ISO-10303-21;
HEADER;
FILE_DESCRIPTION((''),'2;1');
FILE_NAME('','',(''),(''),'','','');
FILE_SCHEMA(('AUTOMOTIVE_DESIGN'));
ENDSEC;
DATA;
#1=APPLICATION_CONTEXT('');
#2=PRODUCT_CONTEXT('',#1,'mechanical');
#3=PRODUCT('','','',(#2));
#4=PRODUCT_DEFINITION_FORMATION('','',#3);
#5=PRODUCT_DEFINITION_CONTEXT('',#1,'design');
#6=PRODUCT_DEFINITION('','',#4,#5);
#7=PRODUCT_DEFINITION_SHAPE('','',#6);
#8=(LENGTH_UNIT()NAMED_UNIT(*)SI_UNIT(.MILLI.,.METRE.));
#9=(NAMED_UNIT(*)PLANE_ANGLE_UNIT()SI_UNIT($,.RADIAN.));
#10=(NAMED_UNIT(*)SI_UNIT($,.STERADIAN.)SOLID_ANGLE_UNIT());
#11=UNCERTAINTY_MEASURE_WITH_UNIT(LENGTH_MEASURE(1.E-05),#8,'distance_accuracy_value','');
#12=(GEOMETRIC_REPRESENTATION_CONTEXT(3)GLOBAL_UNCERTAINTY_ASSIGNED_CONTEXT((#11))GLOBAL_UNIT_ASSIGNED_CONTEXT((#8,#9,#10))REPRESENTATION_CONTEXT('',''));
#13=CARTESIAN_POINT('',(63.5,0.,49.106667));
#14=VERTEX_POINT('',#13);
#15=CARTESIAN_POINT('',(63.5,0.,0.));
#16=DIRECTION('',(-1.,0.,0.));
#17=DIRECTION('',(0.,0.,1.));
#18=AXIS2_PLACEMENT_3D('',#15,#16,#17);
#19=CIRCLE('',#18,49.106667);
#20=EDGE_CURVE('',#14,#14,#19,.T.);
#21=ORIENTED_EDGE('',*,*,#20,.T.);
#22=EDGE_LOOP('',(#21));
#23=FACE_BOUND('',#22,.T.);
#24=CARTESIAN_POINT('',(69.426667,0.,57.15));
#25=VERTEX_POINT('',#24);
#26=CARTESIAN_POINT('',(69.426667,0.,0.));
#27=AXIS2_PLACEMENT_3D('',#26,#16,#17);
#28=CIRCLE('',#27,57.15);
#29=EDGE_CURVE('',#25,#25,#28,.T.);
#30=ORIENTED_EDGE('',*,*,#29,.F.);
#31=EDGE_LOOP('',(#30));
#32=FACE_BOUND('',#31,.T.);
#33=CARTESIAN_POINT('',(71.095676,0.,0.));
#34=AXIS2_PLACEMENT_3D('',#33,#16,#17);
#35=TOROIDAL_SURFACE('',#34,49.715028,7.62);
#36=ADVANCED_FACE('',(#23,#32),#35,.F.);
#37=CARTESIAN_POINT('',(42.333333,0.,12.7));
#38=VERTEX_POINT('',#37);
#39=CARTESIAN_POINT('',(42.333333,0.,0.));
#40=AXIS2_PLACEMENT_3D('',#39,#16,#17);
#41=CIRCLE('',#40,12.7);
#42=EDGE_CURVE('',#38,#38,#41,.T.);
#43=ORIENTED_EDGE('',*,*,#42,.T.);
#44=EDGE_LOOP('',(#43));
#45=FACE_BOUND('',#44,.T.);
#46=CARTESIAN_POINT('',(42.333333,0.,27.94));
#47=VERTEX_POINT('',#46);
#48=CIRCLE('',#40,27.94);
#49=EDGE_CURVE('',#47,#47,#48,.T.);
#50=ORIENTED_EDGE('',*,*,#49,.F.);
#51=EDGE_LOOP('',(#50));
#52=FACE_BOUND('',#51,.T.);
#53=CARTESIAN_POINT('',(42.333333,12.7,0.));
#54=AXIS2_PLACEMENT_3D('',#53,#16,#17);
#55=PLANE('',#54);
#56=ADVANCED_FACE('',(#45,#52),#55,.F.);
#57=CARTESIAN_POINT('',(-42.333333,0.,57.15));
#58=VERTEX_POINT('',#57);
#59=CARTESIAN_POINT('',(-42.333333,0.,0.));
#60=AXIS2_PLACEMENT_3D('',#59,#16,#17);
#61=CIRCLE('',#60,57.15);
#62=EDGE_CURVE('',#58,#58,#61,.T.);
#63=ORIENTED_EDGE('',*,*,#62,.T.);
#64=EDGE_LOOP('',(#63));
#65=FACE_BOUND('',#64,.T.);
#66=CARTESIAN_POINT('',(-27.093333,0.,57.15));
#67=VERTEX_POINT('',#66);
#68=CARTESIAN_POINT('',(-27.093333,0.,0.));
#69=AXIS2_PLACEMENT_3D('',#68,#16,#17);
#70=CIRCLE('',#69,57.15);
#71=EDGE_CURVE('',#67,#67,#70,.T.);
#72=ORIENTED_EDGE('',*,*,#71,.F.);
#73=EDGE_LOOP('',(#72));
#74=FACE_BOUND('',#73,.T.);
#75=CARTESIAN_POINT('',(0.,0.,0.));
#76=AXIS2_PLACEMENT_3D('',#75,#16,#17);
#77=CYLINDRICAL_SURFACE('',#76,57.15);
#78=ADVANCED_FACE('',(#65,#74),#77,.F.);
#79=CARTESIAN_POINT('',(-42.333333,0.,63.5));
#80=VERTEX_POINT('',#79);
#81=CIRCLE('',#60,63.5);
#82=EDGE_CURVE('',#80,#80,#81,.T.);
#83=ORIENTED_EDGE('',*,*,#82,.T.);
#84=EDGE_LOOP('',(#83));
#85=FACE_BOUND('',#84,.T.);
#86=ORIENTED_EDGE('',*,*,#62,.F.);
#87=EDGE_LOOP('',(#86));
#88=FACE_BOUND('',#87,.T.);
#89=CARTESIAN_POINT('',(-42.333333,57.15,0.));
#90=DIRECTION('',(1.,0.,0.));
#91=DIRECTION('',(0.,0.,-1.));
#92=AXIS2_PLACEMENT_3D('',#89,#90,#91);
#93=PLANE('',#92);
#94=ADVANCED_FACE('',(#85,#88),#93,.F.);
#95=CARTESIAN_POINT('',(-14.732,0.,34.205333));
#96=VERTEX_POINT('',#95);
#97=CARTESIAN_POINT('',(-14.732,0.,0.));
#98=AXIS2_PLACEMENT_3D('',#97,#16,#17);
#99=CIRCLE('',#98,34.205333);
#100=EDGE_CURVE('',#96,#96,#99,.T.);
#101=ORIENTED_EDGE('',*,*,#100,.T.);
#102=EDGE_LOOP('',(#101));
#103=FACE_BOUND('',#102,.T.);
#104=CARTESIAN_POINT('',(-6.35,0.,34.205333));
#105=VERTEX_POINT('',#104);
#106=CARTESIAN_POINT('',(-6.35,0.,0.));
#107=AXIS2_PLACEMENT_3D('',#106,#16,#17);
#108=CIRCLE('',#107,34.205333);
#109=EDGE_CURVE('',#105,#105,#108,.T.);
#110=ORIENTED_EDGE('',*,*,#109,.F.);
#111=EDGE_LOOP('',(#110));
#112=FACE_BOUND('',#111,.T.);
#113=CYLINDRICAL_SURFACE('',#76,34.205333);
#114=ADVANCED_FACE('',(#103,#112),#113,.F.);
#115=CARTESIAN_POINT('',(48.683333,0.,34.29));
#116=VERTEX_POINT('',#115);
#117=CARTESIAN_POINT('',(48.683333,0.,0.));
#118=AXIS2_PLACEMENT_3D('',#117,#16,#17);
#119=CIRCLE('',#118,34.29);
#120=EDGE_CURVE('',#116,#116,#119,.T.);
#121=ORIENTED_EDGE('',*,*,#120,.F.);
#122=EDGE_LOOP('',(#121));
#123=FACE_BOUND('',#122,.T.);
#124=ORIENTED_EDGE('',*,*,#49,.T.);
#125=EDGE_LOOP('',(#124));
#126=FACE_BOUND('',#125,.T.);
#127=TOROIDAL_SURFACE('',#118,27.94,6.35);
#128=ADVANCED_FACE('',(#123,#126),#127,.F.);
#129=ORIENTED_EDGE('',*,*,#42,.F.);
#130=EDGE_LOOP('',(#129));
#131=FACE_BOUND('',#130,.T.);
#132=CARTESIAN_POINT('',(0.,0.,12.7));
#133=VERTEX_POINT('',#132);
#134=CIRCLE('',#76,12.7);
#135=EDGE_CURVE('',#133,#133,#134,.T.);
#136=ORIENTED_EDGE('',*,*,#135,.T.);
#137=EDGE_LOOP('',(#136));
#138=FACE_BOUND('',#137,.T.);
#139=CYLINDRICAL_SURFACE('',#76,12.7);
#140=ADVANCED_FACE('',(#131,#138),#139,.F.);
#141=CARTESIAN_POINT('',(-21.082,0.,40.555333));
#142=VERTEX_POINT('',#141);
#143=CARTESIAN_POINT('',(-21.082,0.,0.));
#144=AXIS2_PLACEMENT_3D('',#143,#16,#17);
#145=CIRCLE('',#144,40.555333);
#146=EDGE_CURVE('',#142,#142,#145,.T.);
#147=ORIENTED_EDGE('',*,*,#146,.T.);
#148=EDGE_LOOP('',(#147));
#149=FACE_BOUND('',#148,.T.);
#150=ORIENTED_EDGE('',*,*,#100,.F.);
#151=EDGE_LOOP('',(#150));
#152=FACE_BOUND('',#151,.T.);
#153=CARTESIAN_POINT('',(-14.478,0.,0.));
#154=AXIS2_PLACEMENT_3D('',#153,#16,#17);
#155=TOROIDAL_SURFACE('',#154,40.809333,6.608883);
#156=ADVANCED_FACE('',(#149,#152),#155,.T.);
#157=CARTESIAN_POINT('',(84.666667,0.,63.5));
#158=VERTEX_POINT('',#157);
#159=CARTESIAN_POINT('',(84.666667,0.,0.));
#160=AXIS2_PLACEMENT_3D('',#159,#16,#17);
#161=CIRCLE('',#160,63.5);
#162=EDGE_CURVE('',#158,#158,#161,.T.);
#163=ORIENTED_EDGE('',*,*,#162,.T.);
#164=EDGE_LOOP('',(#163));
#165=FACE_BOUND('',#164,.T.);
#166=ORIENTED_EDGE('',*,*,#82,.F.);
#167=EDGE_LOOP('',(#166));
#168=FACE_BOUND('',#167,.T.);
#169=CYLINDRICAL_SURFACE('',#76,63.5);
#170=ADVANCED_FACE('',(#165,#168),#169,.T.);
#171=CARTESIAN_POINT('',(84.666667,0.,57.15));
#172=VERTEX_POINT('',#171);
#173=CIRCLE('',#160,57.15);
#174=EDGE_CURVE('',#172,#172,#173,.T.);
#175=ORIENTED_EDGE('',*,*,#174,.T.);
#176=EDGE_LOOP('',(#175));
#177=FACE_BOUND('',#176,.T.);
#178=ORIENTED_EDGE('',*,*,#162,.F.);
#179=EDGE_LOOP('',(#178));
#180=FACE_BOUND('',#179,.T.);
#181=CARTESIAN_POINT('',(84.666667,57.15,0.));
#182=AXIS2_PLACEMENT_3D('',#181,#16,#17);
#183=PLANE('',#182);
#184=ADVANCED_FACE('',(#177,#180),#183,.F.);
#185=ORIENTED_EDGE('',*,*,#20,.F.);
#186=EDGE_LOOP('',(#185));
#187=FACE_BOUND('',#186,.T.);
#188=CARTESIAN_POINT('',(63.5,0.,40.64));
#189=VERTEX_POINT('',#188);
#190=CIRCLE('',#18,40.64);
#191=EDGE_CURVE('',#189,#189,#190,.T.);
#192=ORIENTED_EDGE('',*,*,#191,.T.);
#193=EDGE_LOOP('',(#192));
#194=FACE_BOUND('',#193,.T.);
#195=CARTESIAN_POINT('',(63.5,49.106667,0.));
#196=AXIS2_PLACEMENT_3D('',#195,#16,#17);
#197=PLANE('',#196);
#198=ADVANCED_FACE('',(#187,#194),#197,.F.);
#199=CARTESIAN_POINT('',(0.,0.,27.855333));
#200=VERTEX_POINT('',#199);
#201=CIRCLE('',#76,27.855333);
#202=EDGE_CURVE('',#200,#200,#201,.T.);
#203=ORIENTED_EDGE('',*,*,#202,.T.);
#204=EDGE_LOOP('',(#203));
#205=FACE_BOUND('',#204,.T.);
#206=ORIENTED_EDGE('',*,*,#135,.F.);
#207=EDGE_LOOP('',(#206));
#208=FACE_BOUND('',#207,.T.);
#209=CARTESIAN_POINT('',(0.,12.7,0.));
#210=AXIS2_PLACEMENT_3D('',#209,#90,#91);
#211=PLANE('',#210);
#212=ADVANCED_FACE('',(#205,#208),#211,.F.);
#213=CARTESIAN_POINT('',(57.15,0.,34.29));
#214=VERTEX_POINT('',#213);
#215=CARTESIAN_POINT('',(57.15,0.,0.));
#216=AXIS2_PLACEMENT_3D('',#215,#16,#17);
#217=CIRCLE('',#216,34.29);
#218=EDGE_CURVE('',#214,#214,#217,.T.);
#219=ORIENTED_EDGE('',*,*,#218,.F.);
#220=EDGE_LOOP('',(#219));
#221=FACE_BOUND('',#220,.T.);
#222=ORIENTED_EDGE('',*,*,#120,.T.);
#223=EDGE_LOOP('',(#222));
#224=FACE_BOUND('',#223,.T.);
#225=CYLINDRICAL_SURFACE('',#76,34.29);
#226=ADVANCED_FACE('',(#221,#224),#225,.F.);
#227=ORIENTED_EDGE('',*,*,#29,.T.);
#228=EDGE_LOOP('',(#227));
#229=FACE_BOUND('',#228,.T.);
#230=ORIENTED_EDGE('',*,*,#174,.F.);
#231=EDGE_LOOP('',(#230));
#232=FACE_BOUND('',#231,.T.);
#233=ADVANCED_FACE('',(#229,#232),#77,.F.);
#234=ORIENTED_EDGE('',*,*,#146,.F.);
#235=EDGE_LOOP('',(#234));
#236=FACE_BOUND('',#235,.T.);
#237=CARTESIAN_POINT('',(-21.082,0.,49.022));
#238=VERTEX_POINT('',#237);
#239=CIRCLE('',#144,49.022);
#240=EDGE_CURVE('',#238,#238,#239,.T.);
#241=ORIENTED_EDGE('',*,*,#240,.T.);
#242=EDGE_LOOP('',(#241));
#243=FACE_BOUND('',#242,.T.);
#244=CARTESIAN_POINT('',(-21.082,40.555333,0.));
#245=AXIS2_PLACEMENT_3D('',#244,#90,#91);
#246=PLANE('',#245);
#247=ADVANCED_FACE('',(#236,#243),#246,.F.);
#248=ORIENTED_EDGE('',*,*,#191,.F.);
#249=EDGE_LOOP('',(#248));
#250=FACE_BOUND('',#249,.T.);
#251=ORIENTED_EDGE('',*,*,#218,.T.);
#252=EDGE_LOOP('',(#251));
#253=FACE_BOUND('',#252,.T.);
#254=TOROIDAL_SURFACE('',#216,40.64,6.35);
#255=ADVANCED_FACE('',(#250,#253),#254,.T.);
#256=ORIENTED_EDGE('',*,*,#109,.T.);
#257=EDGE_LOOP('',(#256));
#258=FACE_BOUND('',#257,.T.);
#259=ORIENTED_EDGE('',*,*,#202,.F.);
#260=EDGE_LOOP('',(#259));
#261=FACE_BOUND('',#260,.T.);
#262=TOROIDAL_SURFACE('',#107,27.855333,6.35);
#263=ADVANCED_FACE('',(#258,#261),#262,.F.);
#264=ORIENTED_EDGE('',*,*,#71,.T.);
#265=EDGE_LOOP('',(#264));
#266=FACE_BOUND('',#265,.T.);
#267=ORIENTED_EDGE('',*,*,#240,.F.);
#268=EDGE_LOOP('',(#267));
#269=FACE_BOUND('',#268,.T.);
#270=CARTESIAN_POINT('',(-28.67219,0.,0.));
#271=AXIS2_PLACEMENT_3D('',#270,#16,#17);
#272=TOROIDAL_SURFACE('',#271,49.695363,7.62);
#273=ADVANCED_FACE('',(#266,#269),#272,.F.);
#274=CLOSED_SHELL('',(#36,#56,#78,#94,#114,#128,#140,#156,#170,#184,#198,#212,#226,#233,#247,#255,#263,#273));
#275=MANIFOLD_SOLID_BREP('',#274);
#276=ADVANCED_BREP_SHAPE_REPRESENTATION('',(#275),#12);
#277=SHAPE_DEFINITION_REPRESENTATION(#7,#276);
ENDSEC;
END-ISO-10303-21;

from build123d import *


with BuildPart() as part:
    # Sketch1 → Revolve1 (revolve)
    with BuildSketch(Plane.XY):
        with BuildLine():
            Line((-42.333333333, 63.5), (84.666666667, 63.5))
            Line((84.666666667, 63.5), (84.666666667, 57.15))
            Line((84.666666667, 57.15), (69.426666667, 57.15))
            ThreePointArc((69.426666667, 57.15), (64.961150677, 54.235204762), (63.499999992, 49.106666667))
            Line((63.499999992, 49.106666667), (63.499999992, 40.64))
            ThreePointArc((63.499999992, 40.64), (61.640128052, 36.149871939), (57.149999992, 34.29))
            Line((57.149999992, 34.29), (48.683333333, 34.29))
            ThreePointArc((48.683333333, 34.29), (44.193205273, 32.430128061), (42.333333333, 27.94))
            Line((42.333333333, 27.94), (42.333333333, 12.7))
            Line((42.333333333, 12.7), (0, 12.7))
            Line((0, 12.7), (0, 27.855333333))
            ThreePointArc((0, 27.855333333), (-1.859871939, 32.345461394), (-6.35, 34.205333333))
            Line((-6.35, 34.205333333), (-14.732, 34.205333333))
            ThreePointArc((-14.732, 34.205333333), (-19.151185851, 36.136147482), (-21.082, 40.555333333))
            Line((-21.082, 40.555333333), (-21.082, 49.022))
            ThreePointArc((-21.082, 49.022), (-22.545694215, 54.226417126), (-27.093333333, 57.15))
            Line((-27.093333333, 57.15), (-42.333333333, 57.15))
            Line((-42.333333333, 57.15), (-42.333333333, 63.5))
        make_face()
    revolve(axis=Axis((0, 0, 0), (1, 0, 0)))


solid = part.part
